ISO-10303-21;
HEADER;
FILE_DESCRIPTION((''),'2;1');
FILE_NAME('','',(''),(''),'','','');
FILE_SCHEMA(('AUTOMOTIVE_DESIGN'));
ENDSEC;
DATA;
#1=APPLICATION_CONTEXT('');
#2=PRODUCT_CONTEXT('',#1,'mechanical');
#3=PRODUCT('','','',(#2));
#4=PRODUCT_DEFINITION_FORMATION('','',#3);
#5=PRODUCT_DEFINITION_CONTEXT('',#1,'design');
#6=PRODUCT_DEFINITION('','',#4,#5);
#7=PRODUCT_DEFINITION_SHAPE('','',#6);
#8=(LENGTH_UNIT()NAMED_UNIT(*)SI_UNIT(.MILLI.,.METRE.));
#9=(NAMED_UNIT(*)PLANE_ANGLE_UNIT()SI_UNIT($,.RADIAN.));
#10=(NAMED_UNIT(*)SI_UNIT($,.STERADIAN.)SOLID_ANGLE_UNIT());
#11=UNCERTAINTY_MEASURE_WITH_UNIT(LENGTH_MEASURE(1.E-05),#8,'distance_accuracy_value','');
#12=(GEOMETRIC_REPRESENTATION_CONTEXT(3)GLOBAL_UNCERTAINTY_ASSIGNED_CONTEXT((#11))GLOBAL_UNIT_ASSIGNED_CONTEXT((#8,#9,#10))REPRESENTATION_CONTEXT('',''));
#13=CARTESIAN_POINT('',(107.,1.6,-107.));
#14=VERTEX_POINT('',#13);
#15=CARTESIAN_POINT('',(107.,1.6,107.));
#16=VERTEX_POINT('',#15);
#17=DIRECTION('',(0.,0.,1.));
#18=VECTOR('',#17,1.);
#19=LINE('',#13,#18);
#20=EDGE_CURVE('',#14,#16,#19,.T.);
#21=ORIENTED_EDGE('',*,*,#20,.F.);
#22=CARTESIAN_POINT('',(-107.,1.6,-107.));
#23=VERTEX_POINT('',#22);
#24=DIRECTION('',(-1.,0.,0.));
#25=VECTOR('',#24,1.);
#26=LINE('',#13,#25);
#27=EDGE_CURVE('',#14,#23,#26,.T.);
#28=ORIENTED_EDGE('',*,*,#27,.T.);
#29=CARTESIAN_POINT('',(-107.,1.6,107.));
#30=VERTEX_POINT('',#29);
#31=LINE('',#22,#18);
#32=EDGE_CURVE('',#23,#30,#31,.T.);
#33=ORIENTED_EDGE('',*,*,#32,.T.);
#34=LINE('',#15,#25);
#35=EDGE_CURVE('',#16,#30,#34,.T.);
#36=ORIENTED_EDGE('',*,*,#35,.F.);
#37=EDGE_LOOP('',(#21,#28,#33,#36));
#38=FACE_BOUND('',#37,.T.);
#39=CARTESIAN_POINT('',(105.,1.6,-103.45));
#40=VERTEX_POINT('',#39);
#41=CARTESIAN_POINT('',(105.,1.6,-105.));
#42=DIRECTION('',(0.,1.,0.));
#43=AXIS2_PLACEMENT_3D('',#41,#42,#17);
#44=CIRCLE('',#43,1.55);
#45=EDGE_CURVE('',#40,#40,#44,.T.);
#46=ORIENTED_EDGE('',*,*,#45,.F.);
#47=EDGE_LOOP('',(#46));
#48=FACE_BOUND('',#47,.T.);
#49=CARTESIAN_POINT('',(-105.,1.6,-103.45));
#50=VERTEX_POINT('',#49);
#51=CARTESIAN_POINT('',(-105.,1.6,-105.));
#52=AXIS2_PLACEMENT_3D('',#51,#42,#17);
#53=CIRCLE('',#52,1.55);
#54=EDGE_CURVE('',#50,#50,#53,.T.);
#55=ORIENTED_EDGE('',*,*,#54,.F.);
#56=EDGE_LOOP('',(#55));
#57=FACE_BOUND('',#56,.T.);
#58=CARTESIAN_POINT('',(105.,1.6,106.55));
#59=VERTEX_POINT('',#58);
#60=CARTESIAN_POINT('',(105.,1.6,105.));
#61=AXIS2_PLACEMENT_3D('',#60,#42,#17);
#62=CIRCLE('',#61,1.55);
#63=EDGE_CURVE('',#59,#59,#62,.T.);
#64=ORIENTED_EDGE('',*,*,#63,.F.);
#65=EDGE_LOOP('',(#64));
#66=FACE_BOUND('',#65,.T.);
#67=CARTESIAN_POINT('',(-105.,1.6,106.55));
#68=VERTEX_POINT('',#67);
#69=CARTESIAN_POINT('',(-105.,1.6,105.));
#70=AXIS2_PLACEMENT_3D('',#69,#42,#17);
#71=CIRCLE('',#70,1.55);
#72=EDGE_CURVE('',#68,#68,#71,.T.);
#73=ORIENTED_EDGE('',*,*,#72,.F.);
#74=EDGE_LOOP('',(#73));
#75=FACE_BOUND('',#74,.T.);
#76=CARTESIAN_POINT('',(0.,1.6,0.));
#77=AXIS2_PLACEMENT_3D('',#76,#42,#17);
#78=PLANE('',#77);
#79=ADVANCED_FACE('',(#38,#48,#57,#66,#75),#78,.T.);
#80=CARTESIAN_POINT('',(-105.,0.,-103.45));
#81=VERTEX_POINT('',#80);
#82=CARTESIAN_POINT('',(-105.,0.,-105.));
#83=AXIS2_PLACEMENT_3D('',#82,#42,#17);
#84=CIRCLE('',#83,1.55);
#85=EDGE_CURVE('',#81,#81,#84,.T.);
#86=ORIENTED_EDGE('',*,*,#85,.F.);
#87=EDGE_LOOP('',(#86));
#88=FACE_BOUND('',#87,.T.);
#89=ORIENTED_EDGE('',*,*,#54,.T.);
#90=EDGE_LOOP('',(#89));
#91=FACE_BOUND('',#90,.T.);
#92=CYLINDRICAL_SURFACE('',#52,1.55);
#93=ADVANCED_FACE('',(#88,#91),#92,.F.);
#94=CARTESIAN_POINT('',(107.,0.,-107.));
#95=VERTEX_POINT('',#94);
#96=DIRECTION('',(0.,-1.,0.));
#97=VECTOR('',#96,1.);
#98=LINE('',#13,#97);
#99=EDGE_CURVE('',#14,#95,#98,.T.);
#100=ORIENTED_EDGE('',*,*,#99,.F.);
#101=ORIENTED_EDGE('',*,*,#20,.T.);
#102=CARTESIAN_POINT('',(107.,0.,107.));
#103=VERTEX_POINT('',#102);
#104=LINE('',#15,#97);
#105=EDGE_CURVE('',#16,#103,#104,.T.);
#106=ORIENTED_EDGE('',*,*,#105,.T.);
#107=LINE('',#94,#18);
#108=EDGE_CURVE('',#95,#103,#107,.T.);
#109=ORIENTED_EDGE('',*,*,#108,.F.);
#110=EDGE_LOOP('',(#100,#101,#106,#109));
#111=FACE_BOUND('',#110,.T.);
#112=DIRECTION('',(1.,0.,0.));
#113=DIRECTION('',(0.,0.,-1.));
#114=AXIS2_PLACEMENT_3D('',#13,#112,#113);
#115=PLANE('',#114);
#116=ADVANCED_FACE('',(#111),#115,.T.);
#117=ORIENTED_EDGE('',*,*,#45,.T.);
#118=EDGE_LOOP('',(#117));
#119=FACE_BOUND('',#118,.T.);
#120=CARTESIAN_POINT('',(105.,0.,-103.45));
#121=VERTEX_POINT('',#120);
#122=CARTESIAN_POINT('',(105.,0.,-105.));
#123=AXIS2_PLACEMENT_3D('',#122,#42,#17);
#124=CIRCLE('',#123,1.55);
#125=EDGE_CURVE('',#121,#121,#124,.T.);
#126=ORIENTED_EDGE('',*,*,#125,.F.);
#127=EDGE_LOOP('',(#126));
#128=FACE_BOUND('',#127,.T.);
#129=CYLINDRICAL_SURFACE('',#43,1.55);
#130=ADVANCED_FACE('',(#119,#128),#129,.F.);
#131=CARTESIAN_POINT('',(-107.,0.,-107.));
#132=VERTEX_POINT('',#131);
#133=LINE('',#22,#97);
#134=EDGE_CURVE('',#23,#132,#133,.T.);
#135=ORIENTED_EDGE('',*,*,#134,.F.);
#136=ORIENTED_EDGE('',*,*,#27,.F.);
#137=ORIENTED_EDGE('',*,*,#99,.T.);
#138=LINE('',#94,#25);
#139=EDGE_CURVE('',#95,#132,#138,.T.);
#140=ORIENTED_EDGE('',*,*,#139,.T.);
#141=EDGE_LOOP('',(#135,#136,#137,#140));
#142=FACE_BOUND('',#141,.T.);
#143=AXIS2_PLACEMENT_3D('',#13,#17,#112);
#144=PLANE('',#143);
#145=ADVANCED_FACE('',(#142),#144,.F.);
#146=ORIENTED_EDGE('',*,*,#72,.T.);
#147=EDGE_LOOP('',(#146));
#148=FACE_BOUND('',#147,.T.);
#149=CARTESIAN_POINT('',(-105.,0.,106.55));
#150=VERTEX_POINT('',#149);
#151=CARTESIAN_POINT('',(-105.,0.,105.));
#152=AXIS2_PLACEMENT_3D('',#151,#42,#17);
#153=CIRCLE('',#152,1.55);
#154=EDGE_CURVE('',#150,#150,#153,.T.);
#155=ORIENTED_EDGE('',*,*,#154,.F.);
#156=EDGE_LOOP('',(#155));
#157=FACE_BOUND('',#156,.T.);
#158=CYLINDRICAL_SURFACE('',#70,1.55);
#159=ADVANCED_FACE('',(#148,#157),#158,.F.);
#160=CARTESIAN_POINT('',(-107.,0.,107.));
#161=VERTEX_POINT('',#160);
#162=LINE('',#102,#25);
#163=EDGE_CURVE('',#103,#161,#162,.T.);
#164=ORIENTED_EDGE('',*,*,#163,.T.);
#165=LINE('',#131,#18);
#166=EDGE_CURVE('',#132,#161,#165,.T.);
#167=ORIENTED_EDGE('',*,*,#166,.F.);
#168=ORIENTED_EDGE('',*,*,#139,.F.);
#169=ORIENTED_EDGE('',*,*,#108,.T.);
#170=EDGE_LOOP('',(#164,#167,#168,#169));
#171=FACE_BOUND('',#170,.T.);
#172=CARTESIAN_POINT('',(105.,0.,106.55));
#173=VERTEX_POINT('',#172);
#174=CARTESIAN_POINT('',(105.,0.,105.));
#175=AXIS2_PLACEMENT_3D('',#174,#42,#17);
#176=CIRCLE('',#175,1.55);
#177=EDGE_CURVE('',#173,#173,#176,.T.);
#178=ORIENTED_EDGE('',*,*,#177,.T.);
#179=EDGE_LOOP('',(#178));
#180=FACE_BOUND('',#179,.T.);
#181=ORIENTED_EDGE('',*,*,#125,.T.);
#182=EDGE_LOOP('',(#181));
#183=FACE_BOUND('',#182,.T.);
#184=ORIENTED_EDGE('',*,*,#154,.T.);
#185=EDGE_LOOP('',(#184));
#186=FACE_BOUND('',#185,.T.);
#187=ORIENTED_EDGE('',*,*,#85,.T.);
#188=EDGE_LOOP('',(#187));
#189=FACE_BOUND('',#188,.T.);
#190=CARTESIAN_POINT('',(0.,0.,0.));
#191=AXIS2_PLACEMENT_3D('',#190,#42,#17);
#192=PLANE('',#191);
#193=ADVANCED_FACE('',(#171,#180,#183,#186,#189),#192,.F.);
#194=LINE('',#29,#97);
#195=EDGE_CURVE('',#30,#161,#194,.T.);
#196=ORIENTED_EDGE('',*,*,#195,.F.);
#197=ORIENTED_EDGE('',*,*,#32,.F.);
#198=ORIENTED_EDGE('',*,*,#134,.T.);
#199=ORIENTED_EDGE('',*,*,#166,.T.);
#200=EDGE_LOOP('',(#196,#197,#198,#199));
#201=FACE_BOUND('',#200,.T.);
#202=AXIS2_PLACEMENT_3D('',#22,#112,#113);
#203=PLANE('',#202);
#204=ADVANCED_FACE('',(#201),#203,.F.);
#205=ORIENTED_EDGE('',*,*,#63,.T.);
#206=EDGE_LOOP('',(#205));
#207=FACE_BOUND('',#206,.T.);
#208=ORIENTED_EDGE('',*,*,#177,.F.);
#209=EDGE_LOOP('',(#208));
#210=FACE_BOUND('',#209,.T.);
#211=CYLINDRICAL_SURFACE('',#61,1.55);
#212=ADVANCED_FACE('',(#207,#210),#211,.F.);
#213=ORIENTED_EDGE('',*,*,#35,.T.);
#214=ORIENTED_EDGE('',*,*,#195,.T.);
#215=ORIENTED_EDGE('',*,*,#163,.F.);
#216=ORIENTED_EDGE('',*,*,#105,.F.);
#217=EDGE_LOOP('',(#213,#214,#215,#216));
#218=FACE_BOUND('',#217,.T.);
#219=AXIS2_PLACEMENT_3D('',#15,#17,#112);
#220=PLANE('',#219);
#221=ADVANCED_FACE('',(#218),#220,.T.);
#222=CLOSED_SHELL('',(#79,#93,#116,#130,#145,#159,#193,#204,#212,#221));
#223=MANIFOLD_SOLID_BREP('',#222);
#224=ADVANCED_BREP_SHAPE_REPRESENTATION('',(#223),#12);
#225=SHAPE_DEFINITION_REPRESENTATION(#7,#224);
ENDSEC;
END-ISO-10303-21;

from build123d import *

# Parameters (mm, degrees)
SKETCH1_W                  = 214
SKETCH1_H                  = 214
BOSS_EXTRUDE1_DEPTH        = 1.6
M2_5_CLEARANCE_HOLE1_D     = 3.1
M2_5_CLEARANCE_HOLE1_DEPTH = 11.938
M2_5_CLEARANCE_HOLE1_TIP   = 0.931333959


with BuildPart() as part:
    # Sketch1 → Boss-Extrude1 (new body)
    with BuildSketch(Plane(origin=(0, 0, 0), x_dir=(1, 0, 0), z_dir=(0, 1, 0))):
        Rectangle(SKETCH1_W, SKETCH1_H)
    extrude(amount=BOSS_EXTRUDE1_DEPTH)

    # M2.5 Clearance Hole1
    with Locations(Plane(origin=(0, 1.6, 0), x_dir=(1, 0, 0), z_dir=(0, 1, 0))):
        with Locations((-105, 105), (105, 105), (105, -105), (-105, -105)):
            Hole(M2_5_CLEARANCE_HOLE1_D / 2, depth=M2_5_CLEARANCE_HOLE1_DEPTH)
            with Locations((0, 0, -(M2_5_CLEARANCE_HOLE1_DEPTH + M2_5_CLEARANCE_HOLE1_TIP / 2))):  # 118° drill point
                Cone(0, M2_5_CLEARANCE_HOLE1_D / 2, M2_5_CLEARANCE_HOLE1_TIP, mode=Mode.SUBTRACT)


solid = part.part
